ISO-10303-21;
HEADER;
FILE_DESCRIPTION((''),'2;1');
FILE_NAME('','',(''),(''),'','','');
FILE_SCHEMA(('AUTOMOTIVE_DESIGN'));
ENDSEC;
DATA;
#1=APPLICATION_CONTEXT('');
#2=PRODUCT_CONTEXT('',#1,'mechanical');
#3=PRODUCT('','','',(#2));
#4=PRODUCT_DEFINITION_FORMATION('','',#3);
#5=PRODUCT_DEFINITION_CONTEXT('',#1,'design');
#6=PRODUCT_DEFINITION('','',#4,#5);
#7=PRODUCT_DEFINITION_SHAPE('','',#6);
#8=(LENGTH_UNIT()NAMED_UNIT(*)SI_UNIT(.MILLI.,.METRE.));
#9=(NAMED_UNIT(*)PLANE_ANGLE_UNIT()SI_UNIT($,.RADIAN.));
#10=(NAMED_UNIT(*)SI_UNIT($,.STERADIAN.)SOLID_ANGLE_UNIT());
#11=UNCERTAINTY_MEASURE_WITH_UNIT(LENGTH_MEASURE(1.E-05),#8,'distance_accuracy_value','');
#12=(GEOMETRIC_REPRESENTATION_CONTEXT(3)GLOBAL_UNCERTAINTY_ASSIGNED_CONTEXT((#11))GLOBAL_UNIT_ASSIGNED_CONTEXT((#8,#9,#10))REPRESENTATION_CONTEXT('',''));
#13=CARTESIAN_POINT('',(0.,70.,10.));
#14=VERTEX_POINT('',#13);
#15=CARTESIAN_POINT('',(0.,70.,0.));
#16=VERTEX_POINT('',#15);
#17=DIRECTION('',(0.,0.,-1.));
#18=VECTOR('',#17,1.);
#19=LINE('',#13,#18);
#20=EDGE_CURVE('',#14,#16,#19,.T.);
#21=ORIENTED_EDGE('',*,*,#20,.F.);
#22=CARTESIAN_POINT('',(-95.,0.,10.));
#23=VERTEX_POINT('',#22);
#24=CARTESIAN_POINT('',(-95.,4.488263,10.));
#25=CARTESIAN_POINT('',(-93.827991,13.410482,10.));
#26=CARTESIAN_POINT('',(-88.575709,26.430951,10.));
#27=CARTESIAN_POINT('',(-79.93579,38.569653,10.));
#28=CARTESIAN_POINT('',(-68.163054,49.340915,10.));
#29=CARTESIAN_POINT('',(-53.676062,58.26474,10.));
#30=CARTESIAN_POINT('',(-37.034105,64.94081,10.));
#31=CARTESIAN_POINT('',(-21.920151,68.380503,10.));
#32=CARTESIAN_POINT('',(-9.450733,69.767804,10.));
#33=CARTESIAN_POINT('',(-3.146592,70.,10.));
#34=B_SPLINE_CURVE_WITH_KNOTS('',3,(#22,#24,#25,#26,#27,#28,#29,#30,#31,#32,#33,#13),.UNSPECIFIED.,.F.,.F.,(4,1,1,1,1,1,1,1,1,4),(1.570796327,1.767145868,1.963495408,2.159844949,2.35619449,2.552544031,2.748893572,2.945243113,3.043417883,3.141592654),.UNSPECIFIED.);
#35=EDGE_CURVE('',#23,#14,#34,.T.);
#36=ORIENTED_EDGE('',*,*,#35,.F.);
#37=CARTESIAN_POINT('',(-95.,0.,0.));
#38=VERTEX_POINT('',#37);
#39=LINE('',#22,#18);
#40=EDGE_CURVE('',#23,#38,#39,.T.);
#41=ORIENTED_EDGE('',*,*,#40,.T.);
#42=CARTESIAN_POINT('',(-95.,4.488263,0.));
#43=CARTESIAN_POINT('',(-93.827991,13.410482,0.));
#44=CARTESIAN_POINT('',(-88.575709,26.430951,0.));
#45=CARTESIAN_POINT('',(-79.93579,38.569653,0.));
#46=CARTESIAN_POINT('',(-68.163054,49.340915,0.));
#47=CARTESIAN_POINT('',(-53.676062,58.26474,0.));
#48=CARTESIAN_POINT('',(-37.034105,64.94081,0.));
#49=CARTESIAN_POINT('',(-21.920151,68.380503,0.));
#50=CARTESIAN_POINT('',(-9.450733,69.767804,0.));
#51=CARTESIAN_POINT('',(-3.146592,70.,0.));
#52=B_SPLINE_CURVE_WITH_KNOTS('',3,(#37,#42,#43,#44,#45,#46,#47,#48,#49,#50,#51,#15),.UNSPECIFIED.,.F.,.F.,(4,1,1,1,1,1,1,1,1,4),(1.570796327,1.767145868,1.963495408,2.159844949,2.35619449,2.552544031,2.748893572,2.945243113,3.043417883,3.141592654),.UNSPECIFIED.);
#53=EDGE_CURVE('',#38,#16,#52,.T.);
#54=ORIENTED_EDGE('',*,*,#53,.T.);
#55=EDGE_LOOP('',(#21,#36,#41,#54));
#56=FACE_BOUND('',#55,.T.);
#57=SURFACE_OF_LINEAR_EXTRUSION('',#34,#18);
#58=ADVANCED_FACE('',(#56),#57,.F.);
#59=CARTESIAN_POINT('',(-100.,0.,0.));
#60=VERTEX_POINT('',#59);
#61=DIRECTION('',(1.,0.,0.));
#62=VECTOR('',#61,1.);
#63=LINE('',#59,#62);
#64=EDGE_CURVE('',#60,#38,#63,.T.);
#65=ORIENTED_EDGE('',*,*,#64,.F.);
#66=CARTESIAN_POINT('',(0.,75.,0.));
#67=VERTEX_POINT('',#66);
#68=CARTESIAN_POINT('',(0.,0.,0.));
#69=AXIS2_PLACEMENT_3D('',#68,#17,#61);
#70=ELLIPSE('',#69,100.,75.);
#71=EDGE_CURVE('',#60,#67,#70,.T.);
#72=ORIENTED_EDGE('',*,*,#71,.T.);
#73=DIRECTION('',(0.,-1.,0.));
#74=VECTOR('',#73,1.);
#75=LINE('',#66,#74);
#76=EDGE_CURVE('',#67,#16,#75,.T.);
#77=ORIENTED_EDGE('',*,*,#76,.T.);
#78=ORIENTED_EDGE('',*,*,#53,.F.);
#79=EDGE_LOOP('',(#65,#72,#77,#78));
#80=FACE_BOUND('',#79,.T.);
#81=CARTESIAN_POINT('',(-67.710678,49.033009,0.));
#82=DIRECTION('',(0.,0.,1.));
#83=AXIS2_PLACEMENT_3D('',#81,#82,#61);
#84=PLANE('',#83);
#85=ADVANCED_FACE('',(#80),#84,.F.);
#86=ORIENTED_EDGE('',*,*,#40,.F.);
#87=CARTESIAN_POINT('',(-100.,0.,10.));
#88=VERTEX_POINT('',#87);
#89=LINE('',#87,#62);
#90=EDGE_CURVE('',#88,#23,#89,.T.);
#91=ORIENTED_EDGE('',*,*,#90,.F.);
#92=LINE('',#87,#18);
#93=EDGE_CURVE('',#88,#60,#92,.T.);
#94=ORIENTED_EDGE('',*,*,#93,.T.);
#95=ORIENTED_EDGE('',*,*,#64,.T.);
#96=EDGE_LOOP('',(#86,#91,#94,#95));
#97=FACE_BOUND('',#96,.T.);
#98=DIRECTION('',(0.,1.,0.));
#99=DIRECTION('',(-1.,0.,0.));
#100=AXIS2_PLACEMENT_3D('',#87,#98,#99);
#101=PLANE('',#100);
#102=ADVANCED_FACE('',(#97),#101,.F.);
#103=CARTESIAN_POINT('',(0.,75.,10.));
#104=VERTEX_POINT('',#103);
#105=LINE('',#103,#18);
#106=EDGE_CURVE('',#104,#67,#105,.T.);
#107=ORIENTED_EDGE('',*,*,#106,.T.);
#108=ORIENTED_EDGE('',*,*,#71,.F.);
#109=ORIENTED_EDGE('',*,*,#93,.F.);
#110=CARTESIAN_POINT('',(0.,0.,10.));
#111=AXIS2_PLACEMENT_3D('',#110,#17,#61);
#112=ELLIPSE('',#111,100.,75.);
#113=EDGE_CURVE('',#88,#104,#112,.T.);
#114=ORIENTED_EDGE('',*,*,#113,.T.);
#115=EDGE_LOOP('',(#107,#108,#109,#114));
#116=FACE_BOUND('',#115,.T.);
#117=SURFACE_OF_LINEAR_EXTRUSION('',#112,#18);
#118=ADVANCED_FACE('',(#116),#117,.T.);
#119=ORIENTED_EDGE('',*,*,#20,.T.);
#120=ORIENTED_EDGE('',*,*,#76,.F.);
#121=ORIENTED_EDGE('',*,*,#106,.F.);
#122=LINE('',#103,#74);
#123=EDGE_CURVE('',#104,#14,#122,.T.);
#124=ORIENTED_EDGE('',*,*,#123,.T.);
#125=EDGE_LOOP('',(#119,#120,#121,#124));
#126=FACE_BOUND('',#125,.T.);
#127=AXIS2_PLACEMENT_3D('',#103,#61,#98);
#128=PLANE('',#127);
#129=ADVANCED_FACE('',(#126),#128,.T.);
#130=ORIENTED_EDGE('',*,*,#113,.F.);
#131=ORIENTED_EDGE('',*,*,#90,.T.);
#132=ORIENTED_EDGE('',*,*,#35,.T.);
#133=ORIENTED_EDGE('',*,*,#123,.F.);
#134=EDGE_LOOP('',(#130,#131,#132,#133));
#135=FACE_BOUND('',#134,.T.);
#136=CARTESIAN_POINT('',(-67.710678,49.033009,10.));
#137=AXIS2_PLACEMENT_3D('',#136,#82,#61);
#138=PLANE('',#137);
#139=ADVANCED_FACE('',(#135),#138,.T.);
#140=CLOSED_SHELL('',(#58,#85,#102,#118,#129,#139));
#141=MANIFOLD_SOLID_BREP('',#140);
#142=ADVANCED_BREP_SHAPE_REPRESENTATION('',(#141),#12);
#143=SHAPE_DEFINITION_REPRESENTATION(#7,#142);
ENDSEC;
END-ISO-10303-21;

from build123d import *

# Parameters (mm, degrees)
BOSS_EXTRUDE1_DEPTH = 10


with BuildPart() as part:
    # Sketch2 → Boss-Extrude1 (new body)
    with BuildSketch(Plane.XY):
        with BuildLine():
            Line((0, 75), (0, 70))
            add(Edge.make_bspline(
                [(-95, 0), (-95, 4.488262684), (-93.827990877, 13.410482024), (-88.575709321, 26.430951058), (-79.935790359, 38.569652718), (-68.16305415, 49.340914617), (-53.676061754, 58.264740348), (-37.034105075, 64.940810437), (-21.920151322, 68.38050347), (-9.450732761, 69.767803841), (-3.146591781, 70), (0, 70)],
                knots=[1.570796327, 1.570796327, 1.570796327, 1.570796327, 1.767145868, 1.963495408, 2.159844949, 2.35619449, 2.552544031, 2.748893572, 2.945243113, 3.043417883, 3.141592654, 3.141592654, 3.141592654, 3.141592654], degree=3))
            Line((-95, 0), (-100, 0))
            add(Edge.make_bspline(
                [(0, 75), (-100, 75), (-100, 0)],
                knots=[1.570796327, 1.570796327, 1.570796327, 3.141592654, 3.141592654, 3.141592654], degree=2, weights=[1, 0.707106781, 1]))
        make_face()
    extrude(amount=BOSS_EXTRUDE1_DEPTH)


solid = part.part
